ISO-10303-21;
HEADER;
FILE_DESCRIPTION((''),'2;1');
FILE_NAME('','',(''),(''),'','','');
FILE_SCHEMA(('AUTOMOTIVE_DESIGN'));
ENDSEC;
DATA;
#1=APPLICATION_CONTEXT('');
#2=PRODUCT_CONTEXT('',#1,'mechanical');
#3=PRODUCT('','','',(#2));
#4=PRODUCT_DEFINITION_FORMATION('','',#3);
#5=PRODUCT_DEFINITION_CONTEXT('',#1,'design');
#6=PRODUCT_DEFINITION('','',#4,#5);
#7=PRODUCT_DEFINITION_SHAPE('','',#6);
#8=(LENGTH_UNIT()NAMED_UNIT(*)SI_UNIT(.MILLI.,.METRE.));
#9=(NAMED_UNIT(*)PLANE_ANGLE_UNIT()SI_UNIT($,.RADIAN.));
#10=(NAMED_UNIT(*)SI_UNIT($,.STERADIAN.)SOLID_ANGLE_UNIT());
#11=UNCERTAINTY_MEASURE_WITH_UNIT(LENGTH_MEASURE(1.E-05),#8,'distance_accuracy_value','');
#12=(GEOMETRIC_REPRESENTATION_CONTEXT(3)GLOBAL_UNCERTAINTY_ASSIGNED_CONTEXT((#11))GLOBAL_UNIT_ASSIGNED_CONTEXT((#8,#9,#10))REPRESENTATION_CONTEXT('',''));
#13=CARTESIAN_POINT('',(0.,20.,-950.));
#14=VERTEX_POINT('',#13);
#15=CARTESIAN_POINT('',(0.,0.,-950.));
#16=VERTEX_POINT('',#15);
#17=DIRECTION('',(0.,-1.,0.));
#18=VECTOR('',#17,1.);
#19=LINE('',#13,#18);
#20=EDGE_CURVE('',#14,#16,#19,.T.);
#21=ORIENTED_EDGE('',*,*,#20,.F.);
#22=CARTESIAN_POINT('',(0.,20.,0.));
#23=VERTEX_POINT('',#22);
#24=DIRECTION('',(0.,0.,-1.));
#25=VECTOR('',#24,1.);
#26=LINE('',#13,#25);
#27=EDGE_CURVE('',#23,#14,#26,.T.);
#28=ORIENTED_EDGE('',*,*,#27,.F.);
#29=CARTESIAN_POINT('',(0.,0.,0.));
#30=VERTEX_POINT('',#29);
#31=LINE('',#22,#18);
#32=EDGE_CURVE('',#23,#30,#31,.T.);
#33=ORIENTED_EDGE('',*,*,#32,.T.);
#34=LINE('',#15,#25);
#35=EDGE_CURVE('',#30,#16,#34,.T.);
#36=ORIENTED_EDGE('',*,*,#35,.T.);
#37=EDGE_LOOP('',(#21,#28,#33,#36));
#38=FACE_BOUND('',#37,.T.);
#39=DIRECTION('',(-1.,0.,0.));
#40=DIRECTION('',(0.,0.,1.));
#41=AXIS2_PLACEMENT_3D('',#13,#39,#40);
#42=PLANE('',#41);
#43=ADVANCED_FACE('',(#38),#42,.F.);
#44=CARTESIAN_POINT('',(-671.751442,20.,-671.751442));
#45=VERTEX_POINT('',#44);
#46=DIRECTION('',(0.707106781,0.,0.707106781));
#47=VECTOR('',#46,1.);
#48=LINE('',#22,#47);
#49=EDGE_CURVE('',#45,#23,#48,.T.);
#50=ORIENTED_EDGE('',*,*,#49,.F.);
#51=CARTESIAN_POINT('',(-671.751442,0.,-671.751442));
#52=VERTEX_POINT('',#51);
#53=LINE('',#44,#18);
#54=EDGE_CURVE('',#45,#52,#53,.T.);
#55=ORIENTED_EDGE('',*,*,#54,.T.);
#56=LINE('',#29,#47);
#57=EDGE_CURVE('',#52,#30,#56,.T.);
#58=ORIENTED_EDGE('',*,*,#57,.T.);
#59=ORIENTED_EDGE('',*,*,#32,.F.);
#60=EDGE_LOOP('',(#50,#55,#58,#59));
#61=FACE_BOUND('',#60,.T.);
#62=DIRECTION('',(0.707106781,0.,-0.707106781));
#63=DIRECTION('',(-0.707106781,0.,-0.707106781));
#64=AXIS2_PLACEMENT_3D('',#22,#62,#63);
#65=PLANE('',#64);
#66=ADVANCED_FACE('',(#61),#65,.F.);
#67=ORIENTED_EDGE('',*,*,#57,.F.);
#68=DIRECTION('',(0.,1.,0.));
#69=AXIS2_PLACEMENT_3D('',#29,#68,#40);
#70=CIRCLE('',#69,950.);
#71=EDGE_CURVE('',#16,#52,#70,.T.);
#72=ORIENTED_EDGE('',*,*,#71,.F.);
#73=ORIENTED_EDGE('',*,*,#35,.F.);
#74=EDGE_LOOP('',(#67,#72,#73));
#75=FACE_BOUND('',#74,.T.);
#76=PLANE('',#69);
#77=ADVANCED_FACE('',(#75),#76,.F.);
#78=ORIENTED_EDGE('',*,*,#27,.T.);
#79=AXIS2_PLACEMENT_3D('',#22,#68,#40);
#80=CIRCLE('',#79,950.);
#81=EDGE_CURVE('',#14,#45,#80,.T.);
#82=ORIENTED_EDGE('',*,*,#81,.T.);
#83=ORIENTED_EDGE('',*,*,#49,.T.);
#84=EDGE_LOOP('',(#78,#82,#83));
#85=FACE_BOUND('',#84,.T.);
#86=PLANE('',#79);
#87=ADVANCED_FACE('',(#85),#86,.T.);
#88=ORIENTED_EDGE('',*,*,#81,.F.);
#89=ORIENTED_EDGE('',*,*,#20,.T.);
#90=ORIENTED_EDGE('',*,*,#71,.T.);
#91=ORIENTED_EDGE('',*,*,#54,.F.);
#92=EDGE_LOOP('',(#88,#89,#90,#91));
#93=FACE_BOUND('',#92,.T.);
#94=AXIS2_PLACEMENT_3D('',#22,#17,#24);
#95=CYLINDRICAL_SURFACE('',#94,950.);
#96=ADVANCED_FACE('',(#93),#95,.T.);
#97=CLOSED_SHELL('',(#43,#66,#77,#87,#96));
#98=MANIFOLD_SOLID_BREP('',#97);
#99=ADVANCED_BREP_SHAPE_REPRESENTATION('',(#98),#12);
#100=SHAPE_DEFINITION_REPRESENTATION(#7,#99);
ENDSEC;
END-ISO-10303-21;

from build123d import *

# Parameters (mm, degrees)
EXTRUDE1_DEPTH = 20


with BuildPart() as part:
    # Sketch1 → Extrude1 (new body)
    with BuildSketch(Plane(origin=(0, 0, 0), x_dir=(1, 0, 0), z_dir=(0, 1, 0))):
        with BuildLine():
            Line((0, 950), (0, 0))
            Line((0, 0), (-671.751442127, 671.751442127))
            ThreePointArc((-671.751442127, 671.751442127), (-363.549260747, 877.685555886), (0, 950))
        make_face()
    extrude(amount=EXTRUDE1_DEPTH)


solid = part.part
